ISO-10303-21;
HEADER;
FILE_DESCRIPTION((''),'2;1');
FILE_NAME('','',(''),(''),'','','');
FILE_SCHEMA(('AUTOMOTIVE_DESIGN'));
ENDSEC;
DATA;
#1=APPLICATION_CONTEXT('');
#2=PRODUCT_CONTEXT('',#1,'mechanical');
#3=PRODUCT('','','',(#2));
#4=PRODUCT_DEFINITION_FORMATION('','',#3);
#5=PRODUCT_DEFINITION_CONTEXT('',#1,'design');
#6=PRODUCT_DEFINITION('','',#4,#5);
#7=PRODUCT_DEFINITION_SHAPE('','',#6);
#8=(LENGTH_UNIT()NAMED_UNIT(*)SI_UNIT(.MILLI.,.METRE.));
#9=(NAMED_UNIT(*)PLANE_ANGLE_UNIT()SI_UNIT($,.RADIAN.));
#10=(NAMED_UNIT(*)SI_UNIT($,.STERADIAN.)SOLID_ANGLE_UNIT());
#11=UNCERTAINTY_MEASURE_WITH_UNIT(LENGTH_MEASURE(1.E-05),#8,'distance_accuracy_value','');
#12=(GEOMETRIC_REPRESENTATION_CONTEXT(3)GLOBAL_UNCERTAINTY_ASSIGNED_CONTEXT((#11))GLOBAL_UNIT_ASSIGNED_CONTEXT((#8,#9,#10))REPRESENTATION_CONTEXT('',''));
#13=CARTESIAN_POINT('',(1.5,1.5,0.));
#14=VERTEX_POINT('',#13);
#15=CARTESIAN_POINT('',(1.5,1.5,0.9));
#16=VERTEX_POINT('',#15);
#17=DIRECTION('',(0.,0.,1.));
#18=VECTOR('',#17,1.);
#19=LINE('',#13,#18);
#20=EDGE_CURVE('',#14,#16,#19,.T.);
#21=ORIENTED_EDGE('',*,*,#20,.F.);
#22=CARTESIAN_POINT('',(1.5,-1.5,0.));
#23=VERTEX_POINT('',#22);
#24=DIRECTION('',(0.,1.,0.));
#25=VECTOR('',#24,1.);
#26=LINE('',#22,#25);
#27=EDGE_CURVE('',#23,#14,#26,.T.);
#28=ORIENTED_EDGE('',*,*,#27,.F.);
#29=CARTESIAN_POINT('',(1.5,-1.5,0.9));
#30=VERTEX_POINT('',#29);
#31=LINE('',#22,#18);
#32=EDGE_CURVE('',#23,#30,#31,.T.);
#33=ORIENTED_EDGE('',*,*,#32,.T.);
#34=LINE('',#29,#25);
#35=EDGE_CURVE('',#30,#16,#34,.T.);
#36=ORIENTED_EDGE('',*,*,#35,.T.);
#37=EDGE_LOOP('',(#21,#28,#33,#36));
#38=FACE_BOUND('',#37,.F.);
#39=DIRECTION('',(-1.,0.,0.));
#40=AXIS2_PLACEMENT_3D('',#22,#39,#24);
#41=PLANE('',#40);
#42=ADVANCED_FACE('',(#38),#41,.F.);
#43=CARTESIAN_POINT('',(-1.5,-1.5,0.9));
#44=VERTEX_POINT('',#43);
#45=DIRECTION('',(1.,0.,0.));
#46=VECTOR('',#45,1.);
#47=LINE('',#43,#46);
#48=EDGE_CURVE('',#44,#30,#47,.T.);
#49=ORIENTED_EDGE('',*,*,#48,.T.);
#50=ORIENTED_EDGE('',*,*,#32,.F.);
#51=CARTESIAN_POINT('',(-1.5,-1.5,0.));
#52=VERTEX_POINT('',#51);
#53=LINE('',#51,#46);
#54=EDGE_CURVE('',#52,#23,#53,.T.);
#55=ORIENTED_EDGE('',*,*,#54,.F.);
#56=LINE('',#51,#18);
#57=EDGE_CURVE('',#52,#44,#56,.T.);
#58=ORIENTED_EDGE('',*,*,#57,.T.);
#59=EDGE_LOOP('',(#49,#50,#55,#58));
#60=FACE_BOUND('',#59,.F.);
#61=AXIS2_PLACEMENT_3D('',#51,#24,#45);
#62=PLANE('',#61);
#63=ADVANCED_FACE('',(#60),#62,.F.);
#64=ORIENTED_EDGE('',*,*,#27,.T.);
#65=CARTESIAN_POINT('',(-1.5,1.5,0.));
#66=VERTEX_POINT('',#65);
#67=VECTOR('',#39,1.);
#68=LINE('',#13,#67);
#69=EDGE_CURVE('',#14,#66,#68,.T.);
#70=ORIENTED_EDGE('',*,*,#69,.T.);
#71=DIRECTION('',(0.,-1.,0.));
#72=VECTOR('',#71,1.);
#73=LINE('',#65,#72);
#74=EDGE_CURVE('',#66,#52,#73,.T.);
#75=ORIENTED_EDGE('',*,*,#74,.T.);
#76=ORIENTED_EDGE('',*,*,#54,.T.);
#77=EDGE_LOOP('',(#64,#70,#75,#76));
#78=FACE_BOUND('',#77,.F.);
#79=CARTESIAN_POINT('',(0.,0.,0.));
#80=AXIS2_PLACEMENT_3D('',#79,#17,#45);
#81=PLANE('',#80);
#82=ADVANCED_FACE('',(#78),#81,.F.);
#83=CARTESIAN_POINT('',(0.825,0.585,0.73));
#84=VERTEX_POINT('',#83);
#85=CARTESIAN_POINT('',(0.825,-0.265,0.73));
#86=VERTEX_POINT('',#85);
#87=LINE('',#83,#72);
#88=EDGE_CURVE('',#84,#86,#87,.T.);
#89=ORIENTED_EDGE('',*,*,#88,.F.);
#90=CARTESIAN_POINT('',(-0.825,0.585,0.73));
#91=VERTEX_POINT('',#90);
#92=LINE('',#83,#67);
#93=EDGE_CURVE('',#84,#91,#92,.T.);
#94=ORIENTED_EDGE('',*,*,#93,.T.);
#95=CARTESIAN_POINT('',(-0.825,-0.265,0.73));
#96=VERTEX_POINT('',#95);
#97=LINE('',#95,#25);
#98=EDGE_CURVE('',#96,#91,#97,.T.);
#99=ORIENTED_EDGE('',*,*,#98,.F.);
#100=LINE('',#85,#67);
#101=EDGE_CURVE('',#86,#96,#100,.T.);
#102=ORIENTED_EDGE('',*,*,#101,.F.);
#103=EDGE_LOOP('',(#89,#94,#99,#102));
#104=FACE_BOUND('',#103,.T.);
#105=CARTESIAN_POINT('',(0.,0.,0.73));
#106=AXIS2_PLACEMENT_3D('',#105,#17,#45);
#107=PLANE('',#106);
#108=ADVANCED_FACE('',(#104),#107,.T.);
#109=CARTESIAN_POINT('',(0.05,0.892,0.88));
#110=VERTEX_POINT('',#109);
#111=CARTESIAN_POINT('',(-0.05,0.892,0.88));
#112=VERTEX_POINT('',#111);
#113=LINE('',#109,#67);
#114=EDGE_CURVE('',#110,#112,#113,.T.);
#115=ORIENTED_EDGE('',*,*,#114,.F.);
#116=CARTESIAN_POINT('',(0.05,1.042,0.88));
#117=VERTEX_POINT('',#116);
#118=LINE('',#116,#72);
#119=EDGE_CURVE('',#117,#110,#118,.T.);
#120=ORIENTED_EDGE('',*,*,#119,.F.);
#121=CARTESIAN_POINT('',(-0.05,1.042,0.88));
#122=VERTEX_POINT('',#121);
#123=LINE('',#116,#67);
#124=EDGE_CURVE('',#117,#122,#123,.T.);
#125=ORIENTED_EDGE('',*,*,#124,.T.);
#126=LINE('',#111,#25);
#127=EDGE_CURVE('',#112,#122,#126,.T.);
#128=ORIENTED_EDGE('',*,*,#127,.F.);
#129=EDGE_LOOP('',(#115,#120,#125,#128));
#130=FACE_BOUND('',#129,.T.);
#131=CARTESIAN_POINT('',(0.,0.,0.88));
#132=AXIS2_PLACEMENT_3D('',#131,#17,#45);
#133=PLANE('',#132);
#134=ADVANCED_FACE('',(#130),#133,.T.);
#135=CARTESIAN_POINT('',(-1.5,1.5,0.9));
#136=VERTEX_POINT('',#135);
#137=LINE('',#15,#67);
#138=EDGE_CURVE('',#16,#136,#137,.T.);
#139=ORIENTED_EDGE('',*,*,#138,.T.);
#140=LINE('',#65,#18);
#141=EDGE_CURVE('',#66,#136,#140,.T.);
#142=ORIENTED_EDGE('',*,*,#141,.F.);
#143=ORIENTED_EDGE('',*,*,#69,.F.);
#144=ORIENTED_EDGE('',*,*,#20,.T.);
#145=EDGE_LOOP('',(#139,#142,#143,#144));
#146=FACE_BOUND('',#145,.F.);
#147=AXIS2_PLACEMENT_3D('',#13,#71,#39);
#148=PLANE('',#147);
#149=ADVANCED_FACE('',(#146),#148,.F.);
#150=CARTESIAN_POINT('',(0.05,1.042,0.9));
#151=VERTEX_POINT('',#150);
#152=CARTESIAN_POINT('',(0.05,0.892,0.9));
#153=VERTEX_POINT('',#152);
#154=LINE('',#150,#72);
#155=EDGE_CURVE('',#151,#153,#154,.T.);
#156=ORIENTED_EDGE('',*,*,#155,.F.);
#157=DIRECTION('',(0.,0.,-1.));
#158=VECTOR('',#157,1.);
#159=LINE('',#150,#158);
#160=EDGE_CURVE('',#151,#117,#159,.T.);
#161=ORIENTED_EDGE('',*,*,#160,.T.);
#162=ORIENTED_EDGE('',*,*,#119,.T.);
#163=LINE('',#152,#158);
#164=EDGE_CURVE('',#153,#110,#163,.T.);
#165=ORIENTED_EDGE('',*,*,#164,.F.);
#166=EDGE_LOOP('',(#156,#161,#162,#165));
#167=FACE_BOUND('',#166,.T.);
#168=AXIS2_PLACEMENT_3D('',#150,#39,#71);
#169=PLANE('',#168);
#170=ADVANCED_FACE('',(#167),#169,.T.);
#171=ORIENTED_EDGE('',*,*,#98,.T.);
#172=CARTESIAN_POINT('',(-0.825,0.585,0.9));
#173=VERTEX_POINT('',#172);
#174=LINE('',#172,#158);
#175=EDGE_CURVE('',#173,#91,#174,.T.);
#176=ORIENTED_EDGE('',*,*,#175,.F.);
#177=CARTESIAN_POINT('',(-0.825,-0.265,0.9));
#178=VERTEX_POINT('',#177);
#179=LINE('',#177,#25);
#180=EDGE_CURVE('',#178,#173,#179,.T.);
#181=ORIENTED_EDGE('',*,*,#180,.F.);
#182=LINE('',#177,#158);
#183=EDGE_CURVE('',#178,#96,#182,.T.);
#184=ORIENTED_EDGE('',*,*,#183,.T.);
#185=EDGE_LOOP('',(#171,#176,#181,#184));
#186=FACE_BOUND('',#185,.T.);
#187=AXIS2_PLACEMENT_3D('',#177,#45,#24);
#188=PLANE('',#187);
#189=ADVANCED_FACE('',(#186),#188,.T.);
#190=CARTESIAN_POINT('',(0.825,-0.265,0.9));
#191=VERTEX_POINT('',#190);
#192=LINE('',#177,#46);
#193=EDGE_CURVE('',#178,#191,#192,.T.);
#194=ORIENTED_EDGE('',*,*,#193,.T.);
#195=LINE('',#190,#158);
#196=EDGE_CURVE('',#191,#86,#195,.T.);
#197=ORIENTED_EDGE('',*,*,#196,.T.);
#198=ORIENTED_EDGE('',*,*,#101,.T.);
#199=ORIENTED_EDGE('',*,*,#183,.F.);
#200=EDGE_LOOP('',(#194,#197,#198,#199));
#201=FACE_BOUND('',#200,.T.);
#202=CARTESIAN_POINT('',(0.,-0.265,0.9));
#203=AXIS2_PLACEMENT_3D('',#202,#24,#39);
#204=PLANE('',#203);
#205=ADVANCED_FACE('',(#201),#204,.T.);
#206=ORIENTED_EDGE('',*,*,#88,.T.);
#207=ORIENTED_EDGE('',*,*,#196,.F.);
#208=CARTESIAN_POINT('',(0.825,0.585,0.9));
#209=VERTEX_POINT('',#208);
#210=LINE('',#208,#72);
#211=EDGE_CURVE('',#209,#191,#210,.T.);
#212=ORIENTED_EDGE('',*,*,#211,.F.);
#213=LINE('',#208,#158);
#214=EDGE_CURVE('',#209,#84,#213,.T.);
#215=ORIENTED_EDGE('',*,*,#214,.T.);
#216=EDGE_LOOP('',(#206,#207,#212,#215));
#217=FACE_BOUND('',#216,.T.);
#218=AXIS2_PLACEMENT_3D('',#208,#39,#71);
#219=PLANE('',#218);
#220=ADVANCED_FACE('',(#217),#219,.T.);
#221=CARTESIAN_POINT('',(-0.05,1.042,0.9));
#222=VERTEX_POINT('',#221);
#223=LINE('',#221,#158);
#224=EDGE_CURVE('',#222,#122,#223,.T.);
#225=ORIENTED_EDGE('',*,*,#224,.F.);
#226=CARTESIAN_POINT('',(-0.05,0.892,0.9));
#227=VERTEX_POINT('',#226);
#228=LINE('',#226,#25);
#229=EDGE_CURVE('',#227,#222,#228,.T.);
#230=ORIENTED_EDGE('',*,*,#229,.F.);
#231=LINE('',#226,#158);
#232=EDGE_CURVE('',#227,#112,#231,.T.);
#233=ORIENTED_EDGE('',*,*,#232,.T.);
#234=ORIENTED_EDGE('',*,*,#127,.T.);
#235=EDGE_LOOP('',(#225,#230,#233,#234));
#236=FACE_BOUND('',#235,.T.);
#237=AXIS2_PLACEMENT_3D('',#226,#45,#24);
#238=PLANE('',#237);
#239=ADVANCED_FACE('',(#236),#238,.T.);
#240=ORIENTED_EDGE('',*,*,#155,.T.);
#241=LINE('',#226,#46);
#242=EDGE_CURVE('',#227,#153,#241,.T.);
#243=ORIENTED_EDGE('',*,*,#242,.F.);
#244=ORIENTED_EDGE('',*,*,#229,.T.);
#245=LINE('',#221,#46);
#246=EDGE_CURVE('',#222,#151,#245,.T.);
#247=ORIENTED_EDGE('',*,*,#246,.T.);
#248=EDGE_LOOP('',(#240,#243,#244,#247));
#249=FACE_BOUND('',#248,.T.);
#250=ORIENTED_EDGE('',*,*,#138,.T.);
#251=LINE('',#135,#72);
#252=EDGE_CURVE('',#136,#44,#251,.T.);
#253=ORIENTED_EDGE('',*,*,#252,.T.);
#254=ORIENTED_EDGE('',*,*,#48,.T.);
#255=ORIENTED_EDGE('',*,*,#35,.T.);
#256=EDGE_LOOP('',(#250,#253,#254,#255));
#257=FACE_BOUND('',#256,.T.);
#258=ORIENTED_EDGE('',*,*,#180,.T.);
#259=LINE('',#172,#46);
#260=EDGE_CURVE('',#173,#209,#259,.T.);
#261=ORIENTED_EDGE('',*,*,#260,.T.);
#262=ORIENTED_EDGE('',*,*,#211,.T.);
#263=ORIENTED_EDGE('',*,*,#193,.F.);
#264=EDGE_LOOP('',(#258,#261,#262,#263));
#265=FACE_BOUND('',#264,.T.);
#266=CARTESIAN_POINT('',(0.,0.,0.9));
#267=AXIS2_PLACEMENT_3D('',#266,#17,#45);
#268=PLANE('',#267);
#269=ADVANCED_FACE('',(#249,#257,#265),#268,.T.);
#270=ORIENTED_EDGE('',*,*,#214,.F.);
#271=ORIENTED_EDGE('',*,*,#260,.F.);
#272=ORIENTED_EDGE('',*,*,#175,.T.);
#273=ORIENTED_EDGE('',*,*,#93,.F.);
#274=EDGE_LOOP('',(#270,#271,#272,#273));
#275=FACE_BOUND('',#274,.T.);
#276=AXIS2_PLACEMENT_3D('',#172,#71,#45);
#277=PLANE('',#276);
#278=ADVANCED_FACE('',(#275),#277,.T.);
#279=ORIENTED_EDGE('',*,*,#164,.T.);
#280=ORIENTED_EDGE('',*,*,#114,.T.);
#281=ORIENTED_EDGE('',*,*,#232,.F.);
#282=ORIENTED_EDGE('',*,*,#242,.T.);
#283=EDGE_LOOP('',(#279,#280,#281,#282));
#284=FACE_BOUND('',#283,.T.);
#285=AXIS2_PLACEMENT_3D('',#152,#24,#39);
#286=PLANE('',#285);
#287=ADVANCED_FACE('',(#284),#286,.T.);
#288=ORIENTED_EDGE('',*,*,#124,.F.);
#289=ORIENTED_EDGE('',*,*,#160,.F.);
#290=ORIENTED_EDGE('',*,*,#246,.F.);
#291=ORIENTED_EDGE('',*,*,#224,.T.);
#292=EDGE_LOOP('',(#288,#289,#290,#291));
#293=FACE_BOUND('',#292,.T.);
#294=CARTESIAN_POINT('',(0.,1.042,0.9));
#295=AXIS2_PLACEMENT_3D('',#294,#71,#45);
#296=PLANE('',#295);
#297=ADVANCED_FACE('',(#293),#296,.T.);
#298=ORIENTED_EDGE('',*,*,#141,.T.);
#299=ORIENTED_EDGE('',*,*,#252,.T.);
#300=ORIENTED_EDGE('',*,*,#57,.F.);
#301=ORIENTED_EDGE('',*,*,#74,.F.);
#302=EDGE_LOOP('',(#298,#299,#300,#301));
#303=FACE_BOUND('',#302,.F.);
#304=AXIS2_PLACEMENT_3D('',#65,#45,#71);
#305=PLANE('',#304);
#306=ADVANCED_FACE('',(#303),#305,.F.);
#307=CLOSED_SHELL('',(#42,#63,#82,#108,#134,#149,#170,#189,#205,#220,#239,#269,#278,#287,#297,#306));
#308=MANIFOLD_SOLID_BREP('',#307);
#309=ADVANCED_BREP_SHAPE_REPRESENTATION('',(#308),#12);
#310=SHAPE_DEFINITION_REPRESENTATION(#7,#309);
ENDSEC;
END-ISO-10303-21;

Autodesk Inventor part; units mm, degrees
ref_plane "YZ Plane" through (0, 0, 0) normal (1, 0, 0) x (0, 1, 0)
ref_plane "XZ Plane" through (0, 0, 0) normal (0, 1, 0) x (-1, 0, 0)
ref_plane "XY Plane" through (0, 0, 0) normal (0, 0, 1) x (1, 0, 0)
sketch "Skizze1" plane through (0, 0, 0) normal (0, 0, 1) x (1, 0, 0)
  line L0 (-1.5, -1.5) -> (1.5, -1.5)
  line L1 (1.5, -1.5) -> (1.5, 1.5)
  line L2 (1.5, 1.5) -> (-1.5, 1.5)
  line L3 (-1.5, 1.5) -> (-1.5, -1.5)
  line L4 (-1.5, -1.5) -> (1.5, 1.5) construction
  line L5 (1.5, -1.5) -> (-1.5, 1.5) construction
  point P0 (0, 0)
  dimension "d0" = 3
  dimension "d1" = 3
extrude "Extrusion1" add sketch "Skizze1" along normal blind 0.9
sketch "Skizze2" plane through (0, 0, 0.9) normal (0, 0, 1) x (1, 0, 0)
  line L0 (-0.825, 0.585) -> (0.825, 0.585)
  line L1 (0.825, 0.585) -> (0.825, -0.265)
  line L2 (0.825, -0.265) -> (-0.825, -0.265)
  line L3 (-0.825, -0.265) -> (-0.825, 0.585)
  line L4 (-0.825, 0.585) -> (0.825, -0.265) construction
  line L5 (0.825, 0.585) -> (-0.825, -0.265) construction
  line L6 (0, 2.1) -> (0, -2.1) projected
  point P0 (0, 0)
  point P1 (0, 0.16)
  point P2 (0, 0.16)
  dimension "d4" = 1.65
  dimension "d5" = 0.85
  dimension "d6" = 0.16
extrude "Extrusion2" cut sketch "Skizze2" against normal blind 0.17
sketch "Skizze3" plane through (0, 0, 0.9) normal (0, 0, 1) x (1, 0, 0)
  line L0 (0, 2.1) -> (0, -2.1) projected
  line L1 (-0.05, 1.042) -> (0.05, 1.042)
  line L2 (0.05, 1.042) -> (0.05, 0.892)
  line L3 (0.05, 0.892) -> (-0.05, 0.892)
  line L4 (-0.05, 0.892) -> (-0.05, 1.042)
  line L5 (-0.05, 1.042) -> (0.05, 0.892) construction
  line L6 (0.05, 1.042) -> (-0.05, 0.892) construction
  point P0 (0, 0)
  point P1 (0, 0.967)
  dimension "d9" = 0.967
  dimension "d10" = 0.1
  dimension "d11" = 0.15
extrude "Extrusion3" cut sketch "Skizze3" against normal blind 0.02
properties part number "iC-PX Series Encoder"
